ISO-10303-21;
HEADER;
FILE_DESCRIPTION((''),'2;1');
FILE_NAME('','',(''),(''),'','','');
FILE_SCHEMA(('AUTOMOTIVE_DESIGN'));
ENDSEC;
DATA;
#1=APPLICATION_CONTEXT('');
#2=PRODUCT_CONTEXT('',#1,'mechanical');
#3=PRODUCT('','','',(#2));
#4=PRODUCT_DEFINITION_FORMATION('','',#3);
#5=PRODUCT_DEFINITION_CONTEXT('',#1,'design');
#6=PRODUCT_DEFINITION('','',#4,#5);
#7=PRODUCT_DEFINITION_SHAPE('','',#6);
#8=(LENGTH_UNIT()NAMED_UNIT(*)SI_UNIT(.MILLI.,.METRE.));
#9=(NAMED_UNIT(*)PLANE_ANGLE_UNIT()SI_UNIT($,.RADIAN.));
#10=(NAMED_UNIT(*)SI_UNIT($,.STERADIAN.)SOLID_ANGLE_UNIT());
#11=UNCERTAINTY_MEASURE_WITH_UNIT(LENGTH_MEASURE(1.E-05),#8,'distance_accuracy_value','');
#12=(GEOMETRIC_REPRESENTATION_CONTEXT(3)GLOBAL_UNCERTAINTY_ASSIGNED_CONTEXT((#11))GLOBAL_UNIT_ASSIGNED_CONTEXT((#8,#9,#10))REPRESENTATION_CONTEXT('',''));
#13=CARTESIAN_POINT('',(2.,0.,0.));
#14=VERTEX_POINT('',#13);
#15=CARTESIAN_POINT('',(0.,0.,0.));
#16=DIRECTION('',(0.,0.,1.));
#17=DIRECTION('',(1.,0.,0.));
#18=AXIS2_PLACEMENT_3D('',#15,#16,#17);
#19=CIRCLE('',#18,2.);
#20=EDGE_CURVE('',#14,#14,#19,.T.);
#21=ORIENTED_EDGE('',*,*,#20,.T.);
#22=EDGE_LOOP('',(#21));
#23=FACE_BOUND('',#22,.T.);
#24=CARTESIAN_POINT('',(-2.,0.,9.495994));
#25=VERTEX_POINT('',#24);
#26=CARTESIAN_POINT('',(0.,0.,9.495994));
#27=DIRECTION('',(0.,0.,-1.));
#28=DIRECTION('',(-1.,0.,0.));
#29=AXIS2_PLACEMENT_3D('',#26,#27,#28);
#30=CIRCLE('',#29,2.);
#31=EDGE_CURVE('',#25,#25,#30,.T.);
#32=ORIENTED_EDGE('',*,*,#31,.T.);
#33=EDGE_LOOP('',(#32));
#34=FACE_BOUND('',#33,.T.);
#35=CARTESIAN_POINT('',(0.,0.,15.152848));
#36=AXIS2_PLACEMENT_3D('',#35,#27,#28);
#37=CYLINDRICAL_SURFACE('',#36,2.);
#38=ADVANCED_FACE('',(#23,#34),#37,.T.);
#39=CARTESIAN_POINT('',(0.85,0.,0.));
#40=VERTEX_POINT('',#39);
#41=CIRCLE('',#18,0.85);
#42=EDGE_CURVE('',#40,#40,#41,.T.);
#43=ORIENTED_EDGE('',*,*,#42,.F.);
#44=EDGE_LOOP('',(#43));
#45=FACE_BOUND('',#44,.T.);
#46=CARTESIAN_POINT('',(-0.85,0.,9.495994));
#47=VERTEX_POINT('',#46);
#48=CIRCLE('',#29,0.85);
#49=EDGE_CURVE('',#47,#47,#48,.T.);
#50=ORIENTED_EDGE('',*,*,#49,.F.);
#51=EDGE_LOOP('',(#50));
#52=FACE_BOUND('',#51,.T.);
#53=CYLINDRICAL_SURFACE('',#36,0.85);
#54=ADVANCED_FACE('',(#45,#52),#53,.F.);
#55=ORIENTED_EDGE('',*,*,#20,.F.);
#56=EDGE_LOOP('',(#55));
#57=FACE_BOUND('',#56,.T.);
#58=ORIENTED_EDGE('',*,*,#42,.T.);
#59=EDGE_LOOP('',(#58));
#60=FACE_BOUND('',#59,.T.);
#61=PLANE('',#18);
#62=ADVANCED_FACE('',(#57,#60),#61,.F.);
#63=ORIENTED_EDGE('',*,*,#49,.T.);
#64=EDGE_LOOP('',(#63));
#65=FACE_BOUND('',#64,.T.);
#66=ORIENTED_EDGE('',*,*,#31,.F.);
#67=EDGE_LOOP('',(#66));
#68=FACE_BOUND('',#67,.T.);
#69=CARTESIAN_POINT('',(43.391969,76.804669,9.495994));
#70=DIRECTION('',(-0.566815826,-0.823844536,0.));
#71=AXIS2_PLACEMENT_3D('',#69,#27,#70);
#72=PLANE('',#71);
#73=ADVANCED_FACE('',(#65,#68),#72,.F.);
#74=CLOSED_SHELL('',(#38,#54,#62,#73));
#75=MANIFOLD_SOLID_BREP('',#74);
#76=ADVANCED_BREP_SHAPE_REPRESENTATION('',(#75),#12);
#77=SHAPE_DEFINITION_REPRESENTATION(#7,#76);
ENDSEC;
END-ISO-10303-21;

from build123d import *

# Parameters (mm, degrees)
SKETCH1_R           = 2
SKETCH1_R_2         = 0.85
BOSS_EXTRUDE1_DEPTH = 9.495993971


with BuildPart() as part:
    # Sketch1 → Boss-Extrude1 (new body)
    with BuildSketch(Plane.XY):
        with Locations(Location((0, 0, 0), (0, 0, 180))):
            Circle(SKETCH1_R)
        with Locations(Location((0, 0, 0), (0, 0, 180))):
            Circle(SKETCH1_R_2, mode=Mode.SUBTRACT)
    extrude(amount=BOSS_EXTRUDE1_DEPTH)


solid = part.part
